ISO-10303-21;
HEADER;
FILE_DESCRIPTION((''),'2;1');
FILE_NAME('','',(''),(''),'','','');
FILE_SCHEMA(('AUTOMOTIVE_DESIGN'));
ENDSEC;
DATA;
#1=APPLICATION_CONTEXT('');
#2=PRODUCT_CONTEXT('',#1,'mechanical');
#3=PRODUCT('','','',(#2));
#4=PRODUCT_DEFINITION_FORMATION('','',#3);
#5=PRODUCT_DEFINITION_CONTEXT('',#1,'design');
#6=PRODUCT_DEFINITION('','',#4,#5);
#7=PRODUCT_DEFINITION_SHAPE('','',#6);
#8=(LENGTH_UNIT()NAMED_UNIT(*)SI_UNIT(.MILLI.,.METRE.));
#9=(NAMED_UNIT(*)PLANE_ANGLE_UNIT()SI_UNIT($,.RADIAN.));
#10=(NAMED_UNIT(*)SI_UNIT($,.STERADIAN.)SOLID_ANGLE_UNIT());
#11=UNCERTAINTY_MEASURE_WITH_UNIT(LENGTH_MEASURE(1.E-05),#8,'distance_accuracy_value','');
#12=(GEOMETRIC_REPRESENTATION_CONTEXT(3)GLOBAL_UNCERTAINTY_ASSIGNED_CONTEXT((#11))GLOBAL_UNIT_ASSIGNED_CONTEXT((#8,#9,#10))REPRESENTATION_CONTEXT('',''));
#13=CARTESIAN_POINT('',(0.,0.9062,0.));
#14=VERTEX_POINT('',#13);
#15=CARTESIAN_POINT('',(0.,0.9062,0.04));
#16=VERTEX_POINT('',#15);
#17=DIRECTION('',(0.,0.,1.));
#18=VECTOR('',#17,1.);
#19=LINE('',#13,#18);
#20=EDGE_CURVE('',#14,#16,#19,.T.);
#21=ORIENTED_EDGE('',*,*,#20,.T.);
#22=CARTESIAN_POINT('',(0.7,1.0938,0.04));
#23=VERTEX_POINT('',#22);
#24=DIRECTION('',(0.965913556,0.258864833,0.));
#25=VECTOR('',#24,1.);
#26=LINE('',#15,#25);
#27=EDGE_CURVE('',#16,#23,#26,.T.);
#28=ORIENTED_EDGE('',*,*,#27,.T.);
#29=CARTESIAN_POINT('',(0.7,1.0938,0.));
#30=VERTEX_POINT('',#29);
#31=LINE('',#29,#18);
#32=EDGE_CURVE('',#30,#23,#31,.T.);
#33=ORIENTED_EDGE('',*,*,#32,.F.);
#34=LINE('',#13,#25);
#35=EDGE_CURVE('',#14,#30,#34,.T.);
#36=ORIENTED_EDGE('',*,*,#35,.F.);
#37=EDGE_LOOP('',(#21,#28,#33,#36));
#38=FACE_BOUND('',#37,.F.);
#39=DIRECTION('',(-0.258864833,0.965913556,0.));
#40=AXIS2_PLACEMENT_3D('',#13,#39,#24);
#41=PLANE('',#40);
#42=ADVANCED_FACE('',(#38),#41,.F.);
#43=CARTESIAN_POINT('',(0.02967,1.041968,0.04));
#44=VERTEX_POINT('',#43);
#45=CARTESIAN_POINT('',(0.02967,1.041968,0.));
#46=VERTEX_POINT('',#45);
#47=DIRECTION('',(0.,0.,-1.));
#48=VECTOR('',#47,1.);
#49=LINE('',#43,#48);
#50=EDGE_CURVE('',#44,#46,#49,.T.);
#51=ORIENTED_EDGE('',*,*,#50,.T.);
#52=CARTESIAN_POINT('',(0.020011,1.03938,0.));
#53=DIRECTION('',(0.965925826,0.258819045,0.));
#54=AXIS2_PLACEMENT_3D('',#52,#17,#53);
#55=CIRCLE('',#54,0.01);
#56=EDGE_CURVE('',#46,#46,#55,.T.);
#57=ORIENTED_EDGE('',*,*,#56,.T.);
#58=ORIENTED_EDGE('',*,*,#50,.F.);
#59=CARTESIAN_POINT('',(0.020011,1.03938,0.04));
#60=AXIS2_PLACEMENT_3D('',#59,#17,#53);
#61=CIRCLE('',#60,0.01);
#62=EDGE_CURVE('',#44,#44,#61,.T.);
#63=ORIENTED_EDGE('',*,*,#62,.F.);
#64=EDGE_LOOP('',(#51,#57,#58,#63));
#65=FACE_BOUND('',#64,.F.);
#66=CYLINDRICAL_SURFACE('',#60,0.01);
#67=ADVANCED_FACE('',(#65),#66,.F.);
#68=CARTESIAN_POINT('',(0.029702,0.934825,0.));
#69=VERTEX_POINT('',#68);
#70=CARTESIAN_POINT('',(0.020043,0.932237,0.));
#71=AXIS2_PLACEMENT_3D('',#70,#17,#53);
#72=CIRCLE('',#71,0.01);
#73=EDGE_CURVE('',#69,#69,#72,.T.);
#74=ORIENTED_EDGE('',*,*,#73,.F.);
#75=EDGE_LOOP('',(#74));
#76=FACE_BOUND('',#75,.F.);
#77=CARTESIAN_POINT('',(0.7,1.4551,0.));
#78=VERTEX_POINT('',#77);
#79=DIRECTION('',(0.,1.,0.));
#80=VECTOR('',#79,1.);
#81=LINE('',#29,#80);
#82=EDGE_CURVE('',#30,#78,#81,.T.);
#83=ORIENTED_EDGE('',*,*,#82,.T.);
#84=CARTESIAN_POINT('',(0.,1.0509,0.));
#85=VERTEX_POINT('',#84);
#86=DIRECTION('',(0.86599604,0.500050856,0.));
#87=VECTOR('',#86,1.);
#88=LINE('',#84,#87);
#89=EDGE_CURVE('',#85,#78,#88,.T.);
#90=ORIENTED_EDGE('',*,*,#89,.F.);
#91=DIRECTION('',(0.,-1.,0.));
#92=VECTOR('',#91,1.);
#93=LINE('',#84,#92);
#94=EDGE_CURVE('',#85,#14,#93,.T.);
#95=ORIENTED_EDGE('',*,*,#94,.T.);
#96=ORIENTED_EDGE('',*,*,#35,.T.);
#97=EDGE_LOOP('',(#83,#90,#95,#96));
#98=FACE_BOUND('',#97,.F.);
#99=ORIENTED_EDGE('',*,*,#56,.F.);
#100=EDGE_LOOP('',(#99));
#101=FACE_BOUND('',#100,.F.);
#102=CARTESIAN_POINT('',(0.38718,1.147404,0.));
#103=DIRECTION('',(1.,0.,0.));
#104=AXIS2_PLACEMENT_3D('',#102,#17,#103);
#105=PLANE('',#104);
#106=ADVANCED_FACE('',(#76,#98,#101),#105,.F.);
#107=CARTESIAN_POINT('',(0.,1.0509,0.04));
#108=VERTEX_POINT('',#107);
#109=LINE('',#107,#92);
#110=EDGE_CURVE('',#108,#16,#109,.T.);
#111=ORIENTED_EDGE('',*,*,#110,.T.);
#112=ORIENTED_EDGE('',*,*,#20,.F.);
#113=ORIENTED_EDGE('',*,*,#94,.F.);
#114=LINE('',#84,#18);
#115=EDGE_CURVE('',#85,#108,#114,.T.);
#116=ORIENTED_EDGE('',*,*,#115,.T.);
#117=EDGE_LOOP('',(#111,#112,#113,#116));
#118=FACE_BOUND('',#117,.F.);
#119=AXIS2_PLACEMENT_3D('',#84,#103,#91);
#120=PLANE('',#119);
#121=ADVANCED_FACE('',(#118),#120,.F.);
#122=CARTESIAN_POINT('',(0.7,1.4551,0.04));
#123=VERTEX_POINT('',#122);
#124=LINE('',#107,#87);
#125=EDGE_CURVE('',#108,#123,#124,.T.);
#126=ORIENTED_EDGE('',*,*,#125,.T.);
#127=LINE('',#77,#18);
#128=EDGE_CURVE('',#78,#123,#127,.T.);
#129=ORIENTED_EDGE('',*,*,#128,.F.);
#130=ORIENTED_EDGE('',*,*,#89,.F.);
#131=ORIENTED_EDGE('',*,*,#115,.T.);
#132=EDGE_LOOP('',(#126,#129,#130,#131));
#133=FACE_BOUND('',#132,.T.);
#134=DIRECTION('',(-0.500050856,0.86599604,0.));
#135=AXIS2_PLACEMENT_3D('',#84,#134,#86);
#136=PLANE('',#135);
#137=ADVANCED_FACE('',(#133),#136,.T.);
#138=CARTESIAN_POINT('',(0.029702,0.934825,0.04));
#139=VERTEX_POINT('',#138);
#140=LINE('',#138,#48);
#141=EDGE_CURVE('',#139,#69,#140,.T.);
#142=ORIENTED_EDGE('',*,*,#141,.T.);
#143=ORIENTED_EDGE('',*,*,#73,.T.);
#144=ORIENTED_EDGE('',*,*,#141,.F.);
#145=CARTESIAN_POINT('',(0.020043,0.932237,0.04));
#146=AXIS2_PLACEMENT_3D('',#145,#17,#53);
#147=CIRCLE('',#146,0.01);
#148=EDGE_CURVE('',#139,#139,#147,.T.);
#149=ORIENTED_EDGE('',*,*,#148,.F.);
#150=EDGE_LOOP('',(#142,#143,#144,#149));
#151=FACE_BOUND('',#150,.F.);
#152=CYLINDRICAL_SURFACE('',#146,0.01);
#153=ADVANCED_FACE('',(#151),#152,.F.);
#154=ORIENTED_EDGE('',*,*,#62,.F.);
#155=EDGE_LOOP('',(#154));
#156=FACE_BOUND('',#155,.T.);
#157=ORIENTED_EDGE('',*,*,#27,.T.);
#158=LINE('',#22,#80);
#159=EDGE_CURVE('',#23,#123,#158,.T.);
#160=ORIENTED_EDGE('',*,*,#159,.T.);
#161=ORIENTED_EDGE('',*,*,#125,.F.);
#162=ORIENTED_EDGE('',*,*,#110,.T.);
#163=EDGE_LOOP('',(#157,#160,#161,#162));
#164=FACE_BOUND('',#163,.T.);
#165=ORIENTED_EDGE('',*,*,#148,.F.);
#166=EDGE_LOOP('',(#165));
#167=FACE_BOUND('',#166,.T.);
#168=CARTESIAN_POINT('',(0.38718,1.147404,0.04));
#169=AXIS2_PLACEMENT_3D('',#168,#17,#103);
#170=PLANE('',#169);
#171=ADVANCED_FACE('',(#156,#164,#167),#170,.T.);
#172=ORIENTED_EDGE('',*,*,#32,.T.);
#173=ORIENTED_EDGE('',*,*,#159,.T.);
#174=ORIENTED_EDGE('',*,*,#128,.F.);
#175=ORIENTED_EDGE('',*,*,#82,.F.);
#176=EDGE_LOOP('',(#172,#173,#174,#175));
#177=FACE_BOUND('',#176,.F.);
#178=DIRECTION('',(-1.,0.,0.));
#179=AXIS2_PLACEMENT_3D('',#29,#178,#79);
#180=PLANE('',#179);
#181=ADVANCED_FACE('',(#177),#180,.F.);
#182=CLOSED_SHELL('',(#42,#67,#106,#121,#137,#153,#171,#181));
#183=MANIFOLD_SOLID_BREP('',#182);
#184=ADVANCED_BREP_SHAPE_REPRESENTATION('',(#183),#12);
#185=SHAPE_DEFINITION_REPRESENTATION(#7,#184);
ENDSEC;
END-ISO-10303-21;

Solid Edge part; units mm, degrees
sketch "Sketch1" plane through (0, 0, 0) normal (0, 0, 1) x (1, 0, 0)
  line L0 (0, 0.9062) -> (0.7, 1.0938)
  line L1 (0.7, 1.0938) -> (0.7, 1.4551)
  line L2 (0, 1.0509) -> (0.7, 1.4551)
  line L3 (0, 1.0509) -> (0, 0.9062)
extrude "Protrusion1" add sketch "Sketch1" along normal blind 0.04
sketch "Sketch2" plane through (0.35, 1.1953, 0.04) normal (0, 0, 1) x (0.9659, 0.2588, 0)
  circle A0 centre (-0.3591, -0.0652) radius 0.01
  circle A1 centre (-0.3868, -0.1687) radius 0.01
  dimension "D1" = 0.3591
extrude "Cutout1" cut sketch "Sketch2" against normal through all
